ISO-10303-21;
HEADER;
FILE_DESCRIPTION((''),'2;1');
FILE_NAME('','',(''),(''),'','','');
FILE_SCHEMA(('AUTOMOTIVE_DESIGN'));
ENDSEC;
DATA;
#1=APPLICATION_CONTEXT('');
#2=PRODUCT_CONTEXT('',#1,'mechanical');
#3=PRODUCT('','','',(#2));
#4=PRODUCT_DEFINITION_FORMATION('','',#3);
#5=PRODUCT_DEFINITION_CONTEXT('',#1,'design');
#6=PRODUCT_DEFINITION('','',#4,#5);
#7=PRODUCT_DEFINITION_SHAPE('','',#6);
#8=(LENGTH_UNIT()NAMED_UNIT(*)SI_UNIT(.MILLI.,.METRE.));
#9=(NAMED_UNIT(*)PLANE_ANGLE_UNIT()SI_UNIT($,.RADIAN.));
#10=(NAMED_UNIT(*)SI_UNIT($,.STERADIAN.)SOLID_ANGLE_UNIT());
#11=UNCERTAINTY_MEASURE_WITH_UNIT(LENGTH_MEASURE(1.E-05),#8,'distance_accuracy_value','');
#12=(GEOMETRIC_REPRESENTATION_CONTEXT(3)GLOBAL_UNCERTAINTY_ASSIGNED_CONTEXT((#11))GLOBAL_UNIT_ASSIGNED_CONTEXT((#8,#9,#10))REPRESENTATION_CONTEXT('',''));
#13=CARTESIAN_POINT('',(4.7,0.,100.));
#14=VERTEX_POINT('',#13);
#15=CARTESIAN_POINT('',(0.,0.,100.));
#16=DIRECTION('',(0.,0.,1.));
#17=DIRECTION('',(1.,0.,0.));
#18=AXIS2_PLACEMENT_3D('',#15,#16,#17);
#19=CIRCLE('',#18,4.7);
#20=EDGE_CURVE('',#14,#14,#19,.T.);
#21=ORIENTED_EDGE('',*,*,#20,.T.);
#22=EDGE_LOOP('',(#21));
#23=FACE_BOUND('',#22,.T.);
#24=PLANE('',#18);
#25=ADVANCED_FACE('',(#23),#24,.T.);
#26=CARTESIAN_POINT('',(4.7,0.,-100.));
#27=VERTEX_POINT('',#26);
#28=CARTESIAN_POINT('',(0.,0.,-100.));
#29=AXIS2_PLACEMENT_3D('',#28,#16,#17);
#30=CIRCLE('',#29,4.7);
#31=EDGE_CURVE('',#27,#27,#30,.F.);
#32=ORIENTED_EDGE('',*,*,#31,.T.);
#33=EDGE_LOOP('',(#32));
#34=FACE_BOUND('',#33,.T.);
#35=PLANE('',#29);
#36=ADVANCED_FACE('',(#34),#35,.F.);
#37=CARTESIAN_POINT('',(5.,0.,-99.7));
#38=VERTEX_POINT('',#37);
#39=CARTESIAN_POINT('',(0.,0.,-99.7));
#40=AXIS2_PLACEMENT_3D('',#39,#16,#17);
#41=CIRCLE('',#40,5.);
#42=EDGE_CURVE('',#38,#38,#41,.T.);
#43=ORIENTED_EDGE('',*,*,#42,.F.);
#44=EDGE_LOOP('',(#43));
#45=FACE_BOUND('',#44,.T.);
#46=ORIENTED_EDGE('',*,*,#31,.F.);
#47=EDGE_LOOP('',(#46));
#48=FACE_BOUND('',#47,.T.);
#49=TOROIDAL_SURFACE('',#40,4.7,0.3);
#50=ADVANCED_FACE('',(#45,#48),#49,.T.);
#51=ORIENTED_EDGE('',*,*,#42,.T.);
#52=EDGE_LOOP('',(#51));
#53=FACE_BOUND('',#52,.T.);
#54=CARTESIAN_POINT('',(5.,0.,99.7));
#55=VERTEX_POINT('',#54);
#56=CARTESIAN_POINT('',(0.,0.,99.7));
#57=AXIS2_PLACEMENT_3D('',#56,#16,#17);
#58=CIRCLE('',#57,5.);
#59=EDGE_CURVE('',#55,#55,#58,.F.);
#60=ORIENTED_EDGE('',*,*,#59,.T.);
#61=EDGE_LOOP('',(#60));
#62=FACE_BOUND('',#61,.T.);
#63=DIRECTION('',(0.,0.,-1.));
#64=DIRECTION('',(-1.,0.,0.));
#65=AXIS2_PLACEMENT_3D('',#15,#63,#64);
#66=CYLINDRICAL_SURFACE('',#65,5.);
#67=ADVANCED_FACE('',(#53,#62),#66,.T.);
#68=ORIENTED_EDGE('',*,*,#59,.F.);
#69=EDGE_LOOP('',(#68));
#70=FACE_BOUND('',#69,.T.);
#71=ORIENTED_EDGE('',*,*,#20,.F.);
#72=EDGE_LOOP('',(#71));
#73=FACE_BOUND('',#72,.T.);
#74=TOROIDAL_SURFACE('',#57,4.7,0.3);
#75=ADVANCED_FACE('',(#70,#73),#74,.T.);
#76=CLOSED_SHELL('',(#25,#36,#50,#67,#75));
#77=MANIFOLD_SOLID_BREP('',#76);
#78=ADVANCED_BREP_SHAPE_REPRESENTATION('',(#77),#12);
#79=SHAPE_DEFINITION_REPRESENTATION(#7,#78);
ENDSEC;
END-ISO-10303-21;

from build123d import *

# Parameters (mm, degrees)
SZKIC1_R                    = 5
DODANIE_WYCI_GNI_CIE1_DEPTH = 100
ZAOKR_GLENIE1_R             = 0.3


with BuildPart() as part:
    # Szkic1 → Dodanie-wyciągnięcie1 (new, symmetric)
    with BuildSketch(Plane.XY):
        Circle(SZKIC1_R)
    extrude(amount=DODANIE_WYCI_GNI_CIE1_DEPTH, both=True)

    # Zaokrąglenie1
    zaokr_glenie1_edges = [part.edges().sort_by_distance(p)[0] for p in [
        (-5, 0, -100),
        (-5, 0, 100),
    ]]
    fillet(zaokr_glenie1_edges, radius=ZAOKR_GLENIE1_R)


solid = part.part
